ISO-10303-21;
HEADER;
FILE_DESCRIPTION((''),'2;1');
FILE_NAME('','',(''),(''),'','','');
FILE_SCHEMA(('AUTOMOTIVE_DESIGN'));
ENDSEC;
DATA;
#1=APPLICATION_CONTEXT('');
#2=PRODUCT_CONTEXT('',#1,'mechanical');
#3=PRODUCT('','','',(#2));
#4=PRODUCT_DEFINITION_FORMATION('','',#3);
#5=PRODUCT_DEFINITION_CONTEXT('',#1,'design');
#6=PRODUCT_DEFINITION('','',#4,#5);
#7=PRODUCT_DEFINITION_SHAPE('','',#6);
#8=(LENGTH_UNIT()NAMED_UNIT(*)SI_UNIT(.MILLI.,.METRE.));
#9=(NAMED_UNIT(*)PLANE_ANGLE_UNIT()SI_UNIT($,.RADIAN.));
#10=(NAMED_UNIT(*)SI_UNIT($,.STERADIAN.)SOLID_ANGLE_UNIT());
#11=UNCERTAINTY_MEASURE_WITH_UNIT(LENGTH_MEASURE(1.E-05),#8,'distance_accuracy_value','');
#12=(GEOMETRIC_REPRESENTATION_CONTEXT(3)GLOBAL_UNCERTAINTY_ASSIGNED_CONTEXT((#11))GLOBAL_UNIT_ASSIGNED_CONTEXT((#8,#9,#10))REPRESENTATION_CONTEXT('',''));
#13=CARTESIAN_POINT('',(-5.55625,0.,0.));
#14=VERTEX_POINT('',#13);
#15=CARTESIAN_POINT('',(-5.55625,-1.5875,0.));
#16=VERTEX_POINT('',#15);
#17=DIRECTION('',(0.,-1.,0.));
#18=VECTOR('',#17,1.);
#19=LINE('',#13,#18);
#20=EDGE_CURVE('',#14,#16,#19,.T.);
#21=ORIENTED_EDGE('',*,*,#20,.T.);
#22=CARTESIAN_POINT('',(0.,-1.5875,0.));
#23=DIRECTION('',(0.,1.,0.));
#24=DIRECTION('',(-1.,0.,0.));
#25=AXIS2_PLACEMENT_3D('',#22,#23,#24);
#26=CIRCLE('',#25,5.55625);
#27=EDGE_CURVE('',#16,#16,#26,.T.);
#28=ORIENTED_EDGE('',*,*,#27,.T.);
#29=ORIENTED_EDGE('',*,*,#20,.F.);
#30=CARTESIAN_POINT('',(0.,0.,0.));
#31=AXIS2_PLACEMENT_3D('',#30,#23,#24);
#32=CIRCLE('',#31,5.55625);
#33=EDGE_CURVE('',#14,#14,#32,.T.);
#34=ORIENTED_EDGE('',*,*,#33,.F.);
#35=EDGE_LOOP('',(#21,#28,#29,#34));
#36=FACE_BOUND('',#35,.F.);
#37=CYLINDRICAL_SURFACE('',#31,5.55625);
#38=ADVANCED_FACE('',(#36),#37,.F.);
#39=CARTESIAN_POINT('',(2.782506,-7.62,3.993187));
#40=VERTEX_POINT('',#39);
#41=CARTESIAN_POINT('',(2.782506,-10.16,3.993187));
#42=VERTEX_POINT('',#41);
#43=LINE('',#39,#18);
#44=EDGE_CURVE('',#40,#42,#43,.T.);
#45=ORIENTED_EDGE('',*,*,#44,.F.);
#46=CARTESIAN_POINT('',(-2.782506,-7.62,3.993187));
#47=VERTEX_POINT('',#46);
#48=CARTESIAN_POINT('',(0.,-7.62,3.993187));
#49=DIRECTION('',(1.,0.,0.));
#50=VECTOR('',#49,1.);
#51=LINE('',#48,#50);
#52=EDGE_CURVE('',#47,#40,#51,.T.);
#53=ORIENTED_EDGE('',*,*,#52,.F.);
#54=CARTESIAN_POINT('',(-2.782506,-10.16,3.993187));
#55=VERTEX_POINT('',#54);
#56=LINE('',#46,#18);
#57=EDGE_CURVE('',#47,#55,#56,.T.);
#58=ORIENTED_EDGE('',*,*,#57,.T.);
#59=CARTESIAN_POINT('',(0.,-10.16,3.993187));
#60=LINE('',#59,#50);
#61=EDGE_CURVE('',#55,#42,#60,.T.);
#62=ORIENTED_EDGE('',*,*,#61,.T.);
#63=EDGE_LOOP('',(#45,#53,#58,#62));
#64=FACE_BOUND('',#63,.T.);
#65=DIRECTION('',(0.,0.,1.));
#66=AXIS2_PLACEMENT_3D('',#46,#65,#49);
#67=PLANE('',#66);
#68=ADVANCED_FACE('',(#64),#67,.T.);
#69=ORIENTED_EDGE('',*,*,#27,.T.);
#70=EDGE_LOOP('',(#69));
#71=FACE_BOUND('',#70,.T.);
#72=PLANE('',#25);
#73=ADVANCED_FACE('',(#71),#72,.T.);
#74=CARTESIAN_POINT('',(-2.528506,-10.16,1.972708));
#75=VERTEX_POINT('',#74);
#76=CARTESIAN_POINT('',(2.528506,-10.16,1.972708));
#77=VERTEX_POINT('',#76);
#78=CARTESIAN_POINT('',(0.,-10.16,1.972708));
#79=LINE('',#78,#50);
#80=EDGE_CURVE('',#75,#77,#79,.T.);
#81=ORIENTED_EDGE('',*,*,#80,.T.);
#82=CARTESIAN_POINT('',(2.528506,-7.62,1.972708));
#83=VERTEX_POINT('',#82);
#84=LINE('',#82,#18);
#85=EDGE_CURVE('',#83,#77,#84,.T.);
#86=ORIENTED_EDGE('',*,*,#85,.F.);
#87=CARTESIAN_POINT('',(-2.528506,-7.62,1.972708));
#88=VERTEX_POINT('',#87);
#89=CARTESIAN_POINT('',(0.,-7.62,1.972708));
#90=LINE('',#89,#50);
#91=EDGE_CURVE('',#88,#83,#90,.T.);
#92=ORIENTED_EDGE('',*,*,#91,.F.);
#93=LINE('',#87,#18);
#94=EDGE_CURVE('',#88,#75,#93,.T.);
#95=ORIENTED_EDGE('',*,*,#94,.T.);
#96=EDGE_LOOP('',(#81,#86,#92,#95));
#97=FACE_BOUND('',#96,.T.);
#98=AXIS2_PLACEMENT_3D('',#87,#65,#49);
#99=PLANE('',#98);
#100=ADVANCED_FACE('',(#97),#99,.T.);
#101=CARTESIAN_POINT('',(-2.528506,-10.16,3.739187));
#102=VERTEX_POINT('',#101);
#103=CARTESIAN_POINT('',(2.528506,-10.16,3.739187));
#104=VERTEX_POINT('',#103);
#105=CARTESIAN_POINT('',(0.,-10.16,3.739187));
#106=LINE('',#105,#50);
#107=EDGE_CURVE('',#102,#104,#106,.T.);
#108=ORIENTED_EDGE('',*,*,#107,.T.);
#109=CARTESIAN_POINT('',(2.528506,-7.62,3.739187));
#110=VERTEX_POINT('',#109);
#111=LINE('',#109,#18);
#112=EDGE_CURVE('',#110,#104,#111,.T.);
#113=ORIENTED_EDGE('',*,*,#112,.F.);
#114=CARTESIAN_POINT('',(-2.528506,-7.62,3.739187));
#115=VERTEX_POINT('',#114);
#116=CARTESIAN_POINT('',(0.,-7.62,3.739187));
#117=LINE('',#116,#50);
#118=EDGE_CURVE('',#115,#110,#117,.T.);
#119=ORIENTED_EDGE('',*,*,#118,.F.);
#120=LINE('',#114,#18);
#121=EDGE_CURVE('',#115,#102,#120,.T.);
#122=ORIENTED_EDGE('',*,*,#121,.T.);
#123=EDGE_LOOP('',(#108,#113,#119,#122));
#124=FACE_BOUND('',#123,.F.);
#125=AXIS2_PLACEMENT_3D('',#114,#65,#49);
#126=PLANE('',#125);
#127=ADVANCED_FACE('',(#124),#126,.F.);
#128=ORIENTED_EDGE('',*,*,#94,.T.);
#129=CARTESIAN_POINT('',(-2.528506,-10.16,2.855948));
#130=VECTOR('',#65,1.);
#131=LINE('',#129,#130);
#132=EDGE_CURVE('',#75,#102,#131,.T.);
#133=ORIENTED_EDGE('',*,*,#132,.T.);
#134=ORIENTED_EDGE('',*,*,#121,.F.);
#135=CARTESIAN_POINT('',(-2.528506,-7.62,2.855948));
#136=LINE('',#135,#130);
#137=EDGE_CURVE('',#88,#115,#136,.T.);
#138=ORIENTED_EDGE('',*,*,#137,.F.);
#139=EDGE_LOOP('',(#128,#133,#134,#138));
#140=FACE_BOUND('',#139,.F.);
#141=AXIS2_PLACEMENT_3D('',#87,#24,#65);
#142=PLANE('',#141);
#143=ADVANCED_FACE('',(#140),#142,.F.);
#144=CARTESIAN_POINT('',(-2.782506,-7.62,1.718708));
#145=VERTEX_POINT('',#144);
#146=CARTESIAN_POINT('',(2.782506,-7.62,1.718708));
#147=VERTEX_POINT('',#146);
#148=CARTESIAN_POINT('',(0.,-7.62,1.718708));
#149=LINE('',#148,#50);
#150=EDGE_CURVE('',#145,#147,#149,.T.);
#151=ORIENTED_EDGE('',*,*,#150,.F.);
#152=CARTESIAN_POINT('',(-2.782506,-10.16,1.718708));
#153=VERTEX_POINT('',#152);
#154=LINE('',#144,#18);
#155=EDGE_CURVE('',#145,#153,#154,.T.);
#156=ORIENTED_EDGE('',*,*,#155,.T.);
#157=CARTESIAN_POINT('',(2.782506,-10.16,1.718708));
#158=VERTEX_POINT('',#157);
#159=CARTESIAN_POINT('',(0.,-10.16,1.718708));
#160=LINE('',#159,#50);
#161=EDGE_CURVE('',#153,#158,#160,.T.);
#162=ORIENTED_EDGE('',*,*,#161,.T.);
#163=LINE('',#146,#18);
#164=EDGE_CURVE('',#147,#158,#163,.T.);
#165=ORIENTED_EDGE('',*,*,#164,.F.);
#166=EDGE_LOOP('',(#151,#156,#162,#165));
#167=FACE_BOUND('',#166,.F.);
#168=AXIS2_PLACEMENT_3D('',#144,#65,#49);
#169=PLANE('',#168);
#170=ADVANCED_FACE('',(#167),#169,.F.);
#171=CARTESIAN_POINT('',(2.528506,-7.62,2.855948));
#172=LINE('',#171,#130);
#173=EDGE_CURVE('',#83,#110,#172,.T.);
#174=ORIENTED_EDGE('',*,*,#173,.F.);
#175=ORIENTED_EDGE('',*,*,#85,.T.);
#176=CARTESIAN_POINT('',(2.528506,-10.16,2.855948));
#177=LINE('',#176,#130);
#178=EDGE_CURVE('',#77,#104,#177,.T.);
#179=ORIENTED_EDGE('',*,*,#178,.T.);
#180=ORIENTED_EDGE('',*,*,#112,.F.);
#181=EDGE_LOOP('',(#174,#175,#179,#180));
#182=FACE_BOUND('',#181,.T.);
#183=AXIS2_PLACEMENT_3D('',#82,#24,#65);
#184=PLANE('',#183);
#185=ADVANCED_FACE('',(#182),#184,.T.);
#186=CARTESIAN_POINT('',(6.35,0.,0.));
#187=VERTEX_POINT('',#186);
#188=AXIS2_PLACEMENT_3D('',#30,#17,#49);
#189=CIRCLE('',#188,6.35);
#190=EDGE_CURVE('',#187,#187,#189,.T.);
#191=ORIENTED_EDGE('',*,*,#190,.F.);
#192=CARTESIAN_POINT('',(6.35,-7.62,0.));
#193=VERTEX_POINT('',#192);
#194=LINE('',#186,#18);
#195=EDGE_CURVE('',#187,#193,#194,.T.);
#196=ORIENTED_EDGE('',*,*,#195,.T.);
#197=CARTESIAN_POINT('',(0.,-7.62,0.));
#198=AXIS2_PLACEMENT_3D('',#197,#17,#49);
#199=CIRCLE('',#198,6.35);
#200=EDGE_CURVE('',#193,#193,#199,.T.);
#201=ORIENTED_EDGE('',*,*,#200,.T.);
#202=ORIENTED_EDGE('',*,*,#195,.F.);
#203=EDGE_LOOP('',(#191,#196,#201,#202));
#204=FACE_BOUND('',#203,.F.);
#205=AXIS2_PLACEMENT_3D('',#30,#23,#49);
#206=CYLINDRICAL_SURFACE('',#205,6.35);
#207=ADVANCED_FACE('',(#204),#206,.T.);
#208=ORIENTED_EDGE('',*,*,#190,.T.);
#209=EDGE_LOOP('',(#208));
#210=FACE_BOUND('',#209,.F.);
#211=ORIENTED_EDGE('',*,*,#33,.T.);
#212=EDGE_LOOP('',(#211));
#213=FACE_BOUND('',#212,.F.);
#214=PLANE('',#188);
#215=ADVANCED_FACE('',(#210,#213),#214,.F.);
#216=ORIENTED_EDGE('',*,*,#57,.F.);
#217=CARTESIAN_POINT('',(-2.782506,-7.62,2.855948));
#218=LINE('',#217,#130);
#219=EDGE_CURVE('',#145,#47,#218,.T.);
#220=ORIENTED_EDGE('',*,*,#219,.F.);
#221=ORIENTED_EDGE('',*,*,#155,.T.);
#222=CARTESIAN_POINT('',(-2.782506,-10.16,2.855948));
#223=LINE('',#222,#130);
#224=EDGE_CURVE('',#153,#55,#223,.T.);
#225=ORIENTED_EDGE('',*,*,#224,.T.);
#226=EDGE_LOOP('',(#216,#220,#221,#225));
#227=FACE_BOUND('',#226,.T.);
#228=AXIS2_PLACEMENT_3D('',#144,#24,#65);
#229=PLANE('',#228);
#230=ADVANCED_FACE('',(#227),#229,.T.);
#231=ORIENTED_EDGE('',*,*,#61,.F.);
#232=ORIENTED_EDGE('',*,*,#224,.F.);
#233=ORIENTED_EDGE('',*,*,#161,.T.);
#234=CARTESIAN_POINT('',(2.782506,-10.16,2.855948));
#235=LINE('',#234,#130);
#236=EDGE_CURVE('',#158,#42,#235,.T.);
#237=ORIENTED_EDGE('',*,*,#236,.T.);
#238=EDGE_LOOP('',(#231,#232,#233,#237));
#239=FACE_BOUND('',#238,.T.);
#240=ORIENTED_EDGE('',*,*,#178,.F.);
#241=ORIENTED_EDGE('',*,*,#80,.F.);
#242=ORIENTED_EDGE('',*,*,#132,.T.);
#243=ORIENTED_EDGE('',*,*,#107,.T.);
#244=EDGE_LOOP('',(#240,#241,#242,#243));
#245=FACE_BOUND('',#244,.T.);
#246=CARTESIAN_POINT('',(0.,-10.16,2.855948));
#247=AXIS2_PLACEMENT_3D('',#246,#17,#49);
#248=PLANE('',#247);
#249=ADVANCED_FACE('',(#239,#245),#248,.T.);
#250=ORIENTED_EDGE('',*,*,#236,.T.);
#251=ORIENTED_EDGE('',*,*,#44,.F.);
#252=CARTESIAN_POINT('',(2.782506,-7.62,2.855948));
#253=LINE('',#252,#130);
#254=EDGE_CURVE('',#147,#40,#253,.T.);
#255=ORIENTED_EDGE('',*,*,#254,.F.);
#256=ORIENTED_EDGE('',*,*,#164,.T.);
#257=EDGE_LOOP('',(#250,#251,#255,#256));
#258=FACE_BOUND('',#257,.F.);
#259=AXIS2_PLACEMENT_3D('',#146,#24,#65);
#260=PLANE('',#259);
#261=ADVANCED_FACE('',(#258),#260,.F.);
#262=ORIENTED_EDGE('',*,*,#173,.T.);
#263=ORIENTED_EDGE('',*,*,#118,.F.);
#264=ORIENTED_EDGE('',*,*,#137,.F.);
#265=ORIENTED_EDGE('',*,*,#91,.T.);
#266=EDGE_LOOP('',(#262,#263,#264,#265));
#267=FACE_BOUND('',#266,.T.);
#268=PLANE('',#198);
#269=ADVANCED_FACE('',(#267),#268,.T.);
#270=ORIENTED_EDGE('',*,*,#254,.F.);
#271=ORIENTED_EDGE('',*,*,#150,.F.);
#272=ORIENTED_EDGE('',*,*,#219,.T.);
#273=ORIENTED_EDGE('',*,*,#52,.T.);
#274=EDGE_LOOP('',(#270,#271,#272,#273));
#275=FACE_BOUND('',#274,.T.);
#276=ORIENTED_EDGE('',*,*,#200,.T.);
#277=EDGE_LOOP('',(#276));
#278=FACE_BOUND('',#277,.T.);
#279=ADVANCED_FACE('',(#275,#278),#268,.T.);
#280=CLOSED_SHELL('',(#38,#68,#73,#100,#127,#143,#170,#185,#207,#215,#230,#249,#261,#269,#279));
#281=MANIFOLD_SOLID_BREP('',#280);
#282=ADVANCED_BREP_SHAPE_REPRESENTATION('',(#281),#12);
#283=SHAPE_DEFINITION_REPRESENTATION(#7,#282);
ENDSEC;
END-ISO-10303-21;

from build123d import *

# Parameters (mm, degrees)
F0_R     = 6.35
F1_DEPTH = 7.62
F2_R     = 5.55625
F3_DEPTH = 1.5875
F4_W     = 5.565012
F4_H     = 2.274479
F4_W_2   = 5.057012
F4_H_2   = 1.766479
F5_DEPTH = 2.54


with BuildPart() as f1:
    # F0 (on Front) → F1 (new body)
    with BuildSketch(Plane.XZ):
        Circle(F0_R)
    extrude(amount=F1_DEPTH)

    # F2 (on face) → F3 (cut)
    with BuildSketch(Plane(origin=(0, 0, 0), x_dir=(-1, 0, 0), z_dir=(0, 1, 0))):
        Circle(F2_R)
    extrude(amount=-F3_DEPTH, mode=Mode.SUBTRACT)

    # F4 (on face) → F5 (join)
    with BuildSketch(Plane.XZ.offset(7.62)):
        with Locations((0, 2.855948)):
            Rectangle(F4_W, F4_H)
        with Locations((0, 2.855948)):
            Rectangle(F4_W_2, F4_H_2, mode=Mode.SUBTRACT)
    extrude(amount=F5_DEPTH)


solid = f1.part
